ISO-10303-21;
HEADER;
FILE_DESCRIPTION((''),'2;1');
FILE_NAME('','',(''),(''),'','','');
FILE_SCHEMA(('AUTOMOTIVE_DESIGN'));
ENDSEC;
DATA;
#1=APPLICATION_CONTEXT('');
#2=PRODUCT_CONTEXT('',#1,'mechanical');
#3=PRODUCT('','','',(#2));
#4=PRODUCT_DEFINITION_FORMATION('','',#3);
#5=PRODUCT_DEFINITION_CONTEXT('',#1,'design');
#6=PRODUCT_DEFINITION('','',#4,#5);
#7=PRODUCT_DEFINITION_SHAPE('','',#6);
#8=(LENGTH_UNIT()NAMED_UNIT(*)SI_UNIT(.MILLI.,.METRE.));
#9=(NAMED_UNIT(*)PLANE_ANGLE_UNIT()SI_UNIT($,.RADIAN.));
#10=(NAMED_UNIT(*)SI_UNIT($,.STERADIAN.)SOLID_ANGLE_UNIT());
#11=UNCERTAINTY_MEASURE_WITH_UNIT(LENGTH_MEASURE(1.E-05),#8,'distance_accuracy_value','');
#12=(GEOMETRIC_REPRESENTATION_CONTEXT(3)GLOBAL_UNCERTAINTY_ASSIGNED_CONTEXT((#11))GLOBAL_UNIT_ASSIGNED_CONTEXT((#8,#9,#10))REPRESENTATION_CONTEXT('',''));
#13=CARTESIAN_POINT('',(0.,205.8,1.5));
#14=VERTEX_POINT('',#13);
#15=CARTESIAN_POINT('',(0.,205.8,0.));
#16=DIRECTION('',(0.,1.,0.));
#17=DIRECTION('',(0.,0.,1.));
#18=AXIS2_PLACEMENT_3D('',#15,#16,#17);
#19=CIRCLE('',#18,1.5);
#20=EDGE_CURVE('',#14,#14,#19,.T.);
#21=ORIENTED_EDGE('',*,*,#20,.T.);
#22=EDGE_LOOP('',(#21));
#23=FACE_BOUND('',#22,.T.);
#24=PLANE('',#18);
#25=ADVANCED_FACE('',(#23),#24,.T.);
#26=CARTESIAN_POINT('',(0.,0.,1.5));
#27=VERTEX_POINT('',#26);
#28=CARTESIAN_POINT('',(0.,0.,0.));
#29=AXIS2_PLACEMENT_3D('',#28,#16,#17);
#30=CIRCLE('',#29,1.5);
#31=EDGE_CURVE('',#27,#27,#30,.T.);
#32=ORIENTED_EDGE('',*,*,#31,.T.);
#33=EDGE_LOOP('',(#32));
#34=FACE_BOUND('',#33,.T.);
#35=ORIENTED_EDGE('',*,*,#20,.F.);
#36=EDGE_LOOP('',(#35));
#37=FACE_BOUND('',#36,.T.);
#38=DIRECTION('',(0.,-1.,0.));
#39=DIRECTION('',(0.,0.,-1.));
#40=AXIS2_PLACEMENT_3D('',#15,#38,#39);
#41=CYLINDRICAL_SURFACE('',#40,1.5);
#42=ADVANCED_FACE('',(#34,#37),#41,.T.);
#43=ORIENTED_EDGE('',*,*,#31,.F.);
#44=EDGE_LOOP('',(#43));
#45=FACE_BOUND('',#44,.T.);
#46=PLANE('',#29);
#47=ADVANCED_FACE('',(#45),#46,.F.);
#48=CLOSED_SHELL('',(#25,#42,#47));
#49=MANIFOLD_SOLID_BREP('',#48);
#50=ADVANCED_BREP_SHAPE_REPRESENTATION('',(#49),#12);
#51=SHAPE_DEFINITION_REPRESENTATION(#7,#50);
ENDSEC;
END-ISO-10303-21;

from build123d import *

# Parameters (mm, degrees)
ESQUISSE1_R        = 1.5
BOSS_EXTRU_1_DEPTH = 205.8


with BuildPart() as part:
    # Esquisse1 → Boss.-Extru.1 (new body)
    with BuildSketch(Plane(origin=(0, 0, 0), x_dir=(1, 0, 0), z_dir=(0, 1, 0))):
        Circle(ESQUISSE1_R)
    extrude(amount=BOSS_EXTRU_1_DEPTH)


solid = part.part
